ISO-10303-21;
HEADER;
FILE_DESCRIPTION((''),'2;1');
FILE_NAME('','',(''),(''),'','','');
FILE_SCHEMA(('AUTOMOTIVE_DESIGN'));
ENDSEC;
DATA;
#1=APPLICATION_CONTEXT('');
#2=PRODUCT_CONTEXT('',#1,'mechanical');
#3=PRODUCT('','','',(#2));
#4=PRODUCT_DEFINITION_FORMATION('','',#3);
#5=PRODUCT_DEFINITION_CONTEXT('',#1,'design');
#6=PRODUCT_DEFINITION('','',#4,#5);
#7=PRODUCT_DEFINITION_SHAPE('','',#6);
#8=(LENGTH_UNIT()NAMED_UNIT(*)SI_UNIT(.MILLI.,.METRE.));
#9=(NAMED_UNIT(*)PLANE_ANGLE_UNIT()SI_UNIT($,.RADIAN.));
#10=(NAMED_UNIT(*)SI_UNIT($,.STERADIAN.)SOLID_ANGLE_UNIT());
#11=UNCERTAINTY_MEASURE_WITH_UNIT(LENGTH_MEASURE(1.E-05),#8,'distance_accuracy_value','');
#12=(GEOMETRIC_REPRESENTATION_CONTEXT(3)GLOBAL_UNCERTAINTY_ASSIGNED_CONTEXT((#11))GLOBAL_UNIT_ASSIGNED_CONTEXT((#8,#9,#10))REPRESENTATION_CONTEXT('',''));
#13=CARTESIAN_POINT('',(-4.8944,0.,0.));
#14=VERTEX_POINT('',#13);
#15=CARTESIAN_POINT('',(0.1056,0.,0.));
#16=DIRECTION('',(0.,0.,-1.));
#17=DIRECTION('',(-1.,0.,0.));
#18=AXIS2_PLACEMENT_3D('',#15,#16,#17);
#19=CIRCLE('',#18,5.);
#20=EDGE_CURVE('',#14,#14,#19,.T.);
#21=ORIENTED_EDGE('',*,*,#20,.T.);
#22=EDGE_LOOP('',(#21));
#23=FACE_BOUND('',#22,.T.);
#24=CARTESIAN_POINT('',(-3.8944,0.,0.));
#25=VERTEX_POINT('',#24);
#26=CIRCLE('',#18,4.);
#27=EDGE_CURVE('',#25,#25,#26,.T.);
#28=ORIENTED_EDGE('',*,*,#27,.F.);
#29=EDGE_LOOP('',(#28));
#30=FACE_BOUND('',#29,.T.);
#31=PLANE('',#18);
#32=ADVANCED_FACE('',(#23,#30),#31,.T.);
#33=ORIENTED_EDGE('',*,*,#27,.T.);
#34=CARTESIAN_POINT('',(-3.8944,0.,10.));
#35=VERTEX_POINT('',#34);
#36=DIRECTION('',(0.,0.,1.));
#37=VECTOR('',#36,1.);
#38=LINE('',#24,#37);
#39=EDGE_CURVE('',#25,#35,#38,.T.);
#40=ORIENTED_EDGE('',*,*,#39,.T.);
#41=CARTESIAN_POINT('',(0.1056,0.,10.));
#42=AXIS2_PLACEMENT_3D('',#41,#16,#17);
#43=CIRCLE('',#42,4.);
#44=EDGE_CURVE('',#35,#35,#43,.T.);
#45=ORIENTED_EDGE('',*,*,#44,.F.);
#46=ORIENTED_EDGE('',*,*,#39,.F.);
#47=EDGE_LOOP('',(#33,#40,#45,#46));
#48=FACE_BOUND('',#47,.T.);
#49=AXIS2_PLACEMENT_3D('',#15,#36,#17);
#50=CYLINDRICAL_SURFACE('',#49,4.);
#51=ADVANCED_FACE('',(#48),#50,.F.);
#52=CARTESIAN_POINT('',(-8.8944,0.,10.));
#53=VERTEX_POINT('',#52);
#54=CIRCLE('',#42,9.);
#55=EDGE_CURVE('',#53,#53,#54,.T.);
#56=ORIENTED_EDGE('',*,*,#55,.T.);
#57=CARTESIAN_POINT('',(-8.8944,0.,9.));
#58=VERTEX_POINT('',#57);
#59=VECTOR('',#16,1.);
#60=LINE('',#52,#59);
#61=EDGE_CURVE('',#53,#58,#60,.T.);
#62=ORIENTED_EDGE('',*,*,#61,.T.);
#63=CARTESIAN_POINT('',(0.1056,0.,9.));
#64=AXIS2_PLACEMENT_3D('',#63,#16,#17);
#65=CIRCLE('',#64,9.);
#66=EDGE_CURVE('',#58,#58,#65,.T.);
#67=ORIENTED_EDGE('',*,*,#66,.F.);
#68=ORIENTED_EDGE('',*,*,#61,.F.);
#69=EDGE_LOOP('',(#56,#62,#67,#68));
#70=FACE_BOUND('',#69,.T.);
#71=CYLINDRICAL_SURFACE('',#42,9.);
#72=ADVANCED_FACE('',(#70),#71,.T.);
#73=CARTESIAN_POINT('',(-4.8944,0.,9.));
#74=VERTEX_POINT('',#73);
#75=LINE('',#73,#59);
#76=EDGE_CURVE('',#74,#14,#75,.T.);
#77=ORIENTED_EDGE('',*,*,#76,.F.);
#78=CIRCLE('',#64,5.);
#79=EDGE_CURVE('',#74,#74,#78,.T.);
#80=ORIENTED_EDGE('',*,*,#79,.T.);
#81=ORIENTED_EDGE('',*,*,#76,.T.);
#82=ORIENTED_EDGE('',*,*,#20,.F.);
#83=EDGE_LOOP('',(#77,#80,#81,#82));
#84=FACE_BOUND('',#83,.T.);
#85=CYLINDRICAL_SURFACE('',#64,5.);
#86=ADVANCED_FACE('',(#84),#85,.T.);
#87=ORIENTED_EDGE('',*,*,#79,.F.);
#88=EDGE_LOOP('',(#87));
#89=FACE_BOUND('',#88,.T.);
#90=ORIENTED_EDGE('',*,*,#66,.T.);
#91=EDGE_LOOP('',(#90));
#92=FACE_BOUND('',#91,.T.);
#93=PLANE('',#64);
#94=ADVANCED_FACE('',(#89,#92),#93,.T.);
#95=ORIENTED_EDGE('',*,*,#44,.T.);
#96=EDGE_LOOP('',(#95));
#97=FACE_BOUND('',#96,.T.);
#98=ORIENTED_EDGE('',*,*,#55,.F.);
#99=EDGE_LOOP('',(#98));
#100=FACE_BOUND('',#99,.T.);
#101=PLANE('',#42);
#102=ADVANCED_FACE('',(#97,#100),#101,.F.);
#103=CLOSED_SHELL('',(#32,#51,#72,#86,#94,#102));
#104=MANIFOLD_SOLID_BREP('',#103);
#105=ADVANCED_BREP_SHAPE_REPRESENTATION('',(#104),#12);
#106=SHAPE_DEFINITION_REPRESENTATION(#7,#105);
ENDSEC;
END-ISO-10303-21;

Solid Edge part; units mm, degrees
sketch "Sketch1" plane through (0, 0, 0) normal (0, -1, 0) x (1, 0, 0)
  line L0 (-3.8944, 0) -> (-3.8944, 10)
  line L1 (-3.8944, 10) -> (-8.8944, 10)
  line L2 (-8.8944, 10) -> (-8.8944, 9)
  line L3 (-8.8944, 9) -> (-4.8944, 9)
  line L4 (-4.8944, 9) -> (-4.8944, 0)
  line L5 (-4.8944, 0) -> (-3.8944, 0)
  dimension "D1" = 4
  dimension "D2" = 1
  dimension "D3" = 4
  dimension "D4" = 10
  dimension "D5" = 5
revolve "RevolvedProtrusion1" add sketch "Sketch1" angle 360 about axis through (0.1056, 0, 54.5133) along (0, 0, -1)
properties material "Bronze, 90%"
